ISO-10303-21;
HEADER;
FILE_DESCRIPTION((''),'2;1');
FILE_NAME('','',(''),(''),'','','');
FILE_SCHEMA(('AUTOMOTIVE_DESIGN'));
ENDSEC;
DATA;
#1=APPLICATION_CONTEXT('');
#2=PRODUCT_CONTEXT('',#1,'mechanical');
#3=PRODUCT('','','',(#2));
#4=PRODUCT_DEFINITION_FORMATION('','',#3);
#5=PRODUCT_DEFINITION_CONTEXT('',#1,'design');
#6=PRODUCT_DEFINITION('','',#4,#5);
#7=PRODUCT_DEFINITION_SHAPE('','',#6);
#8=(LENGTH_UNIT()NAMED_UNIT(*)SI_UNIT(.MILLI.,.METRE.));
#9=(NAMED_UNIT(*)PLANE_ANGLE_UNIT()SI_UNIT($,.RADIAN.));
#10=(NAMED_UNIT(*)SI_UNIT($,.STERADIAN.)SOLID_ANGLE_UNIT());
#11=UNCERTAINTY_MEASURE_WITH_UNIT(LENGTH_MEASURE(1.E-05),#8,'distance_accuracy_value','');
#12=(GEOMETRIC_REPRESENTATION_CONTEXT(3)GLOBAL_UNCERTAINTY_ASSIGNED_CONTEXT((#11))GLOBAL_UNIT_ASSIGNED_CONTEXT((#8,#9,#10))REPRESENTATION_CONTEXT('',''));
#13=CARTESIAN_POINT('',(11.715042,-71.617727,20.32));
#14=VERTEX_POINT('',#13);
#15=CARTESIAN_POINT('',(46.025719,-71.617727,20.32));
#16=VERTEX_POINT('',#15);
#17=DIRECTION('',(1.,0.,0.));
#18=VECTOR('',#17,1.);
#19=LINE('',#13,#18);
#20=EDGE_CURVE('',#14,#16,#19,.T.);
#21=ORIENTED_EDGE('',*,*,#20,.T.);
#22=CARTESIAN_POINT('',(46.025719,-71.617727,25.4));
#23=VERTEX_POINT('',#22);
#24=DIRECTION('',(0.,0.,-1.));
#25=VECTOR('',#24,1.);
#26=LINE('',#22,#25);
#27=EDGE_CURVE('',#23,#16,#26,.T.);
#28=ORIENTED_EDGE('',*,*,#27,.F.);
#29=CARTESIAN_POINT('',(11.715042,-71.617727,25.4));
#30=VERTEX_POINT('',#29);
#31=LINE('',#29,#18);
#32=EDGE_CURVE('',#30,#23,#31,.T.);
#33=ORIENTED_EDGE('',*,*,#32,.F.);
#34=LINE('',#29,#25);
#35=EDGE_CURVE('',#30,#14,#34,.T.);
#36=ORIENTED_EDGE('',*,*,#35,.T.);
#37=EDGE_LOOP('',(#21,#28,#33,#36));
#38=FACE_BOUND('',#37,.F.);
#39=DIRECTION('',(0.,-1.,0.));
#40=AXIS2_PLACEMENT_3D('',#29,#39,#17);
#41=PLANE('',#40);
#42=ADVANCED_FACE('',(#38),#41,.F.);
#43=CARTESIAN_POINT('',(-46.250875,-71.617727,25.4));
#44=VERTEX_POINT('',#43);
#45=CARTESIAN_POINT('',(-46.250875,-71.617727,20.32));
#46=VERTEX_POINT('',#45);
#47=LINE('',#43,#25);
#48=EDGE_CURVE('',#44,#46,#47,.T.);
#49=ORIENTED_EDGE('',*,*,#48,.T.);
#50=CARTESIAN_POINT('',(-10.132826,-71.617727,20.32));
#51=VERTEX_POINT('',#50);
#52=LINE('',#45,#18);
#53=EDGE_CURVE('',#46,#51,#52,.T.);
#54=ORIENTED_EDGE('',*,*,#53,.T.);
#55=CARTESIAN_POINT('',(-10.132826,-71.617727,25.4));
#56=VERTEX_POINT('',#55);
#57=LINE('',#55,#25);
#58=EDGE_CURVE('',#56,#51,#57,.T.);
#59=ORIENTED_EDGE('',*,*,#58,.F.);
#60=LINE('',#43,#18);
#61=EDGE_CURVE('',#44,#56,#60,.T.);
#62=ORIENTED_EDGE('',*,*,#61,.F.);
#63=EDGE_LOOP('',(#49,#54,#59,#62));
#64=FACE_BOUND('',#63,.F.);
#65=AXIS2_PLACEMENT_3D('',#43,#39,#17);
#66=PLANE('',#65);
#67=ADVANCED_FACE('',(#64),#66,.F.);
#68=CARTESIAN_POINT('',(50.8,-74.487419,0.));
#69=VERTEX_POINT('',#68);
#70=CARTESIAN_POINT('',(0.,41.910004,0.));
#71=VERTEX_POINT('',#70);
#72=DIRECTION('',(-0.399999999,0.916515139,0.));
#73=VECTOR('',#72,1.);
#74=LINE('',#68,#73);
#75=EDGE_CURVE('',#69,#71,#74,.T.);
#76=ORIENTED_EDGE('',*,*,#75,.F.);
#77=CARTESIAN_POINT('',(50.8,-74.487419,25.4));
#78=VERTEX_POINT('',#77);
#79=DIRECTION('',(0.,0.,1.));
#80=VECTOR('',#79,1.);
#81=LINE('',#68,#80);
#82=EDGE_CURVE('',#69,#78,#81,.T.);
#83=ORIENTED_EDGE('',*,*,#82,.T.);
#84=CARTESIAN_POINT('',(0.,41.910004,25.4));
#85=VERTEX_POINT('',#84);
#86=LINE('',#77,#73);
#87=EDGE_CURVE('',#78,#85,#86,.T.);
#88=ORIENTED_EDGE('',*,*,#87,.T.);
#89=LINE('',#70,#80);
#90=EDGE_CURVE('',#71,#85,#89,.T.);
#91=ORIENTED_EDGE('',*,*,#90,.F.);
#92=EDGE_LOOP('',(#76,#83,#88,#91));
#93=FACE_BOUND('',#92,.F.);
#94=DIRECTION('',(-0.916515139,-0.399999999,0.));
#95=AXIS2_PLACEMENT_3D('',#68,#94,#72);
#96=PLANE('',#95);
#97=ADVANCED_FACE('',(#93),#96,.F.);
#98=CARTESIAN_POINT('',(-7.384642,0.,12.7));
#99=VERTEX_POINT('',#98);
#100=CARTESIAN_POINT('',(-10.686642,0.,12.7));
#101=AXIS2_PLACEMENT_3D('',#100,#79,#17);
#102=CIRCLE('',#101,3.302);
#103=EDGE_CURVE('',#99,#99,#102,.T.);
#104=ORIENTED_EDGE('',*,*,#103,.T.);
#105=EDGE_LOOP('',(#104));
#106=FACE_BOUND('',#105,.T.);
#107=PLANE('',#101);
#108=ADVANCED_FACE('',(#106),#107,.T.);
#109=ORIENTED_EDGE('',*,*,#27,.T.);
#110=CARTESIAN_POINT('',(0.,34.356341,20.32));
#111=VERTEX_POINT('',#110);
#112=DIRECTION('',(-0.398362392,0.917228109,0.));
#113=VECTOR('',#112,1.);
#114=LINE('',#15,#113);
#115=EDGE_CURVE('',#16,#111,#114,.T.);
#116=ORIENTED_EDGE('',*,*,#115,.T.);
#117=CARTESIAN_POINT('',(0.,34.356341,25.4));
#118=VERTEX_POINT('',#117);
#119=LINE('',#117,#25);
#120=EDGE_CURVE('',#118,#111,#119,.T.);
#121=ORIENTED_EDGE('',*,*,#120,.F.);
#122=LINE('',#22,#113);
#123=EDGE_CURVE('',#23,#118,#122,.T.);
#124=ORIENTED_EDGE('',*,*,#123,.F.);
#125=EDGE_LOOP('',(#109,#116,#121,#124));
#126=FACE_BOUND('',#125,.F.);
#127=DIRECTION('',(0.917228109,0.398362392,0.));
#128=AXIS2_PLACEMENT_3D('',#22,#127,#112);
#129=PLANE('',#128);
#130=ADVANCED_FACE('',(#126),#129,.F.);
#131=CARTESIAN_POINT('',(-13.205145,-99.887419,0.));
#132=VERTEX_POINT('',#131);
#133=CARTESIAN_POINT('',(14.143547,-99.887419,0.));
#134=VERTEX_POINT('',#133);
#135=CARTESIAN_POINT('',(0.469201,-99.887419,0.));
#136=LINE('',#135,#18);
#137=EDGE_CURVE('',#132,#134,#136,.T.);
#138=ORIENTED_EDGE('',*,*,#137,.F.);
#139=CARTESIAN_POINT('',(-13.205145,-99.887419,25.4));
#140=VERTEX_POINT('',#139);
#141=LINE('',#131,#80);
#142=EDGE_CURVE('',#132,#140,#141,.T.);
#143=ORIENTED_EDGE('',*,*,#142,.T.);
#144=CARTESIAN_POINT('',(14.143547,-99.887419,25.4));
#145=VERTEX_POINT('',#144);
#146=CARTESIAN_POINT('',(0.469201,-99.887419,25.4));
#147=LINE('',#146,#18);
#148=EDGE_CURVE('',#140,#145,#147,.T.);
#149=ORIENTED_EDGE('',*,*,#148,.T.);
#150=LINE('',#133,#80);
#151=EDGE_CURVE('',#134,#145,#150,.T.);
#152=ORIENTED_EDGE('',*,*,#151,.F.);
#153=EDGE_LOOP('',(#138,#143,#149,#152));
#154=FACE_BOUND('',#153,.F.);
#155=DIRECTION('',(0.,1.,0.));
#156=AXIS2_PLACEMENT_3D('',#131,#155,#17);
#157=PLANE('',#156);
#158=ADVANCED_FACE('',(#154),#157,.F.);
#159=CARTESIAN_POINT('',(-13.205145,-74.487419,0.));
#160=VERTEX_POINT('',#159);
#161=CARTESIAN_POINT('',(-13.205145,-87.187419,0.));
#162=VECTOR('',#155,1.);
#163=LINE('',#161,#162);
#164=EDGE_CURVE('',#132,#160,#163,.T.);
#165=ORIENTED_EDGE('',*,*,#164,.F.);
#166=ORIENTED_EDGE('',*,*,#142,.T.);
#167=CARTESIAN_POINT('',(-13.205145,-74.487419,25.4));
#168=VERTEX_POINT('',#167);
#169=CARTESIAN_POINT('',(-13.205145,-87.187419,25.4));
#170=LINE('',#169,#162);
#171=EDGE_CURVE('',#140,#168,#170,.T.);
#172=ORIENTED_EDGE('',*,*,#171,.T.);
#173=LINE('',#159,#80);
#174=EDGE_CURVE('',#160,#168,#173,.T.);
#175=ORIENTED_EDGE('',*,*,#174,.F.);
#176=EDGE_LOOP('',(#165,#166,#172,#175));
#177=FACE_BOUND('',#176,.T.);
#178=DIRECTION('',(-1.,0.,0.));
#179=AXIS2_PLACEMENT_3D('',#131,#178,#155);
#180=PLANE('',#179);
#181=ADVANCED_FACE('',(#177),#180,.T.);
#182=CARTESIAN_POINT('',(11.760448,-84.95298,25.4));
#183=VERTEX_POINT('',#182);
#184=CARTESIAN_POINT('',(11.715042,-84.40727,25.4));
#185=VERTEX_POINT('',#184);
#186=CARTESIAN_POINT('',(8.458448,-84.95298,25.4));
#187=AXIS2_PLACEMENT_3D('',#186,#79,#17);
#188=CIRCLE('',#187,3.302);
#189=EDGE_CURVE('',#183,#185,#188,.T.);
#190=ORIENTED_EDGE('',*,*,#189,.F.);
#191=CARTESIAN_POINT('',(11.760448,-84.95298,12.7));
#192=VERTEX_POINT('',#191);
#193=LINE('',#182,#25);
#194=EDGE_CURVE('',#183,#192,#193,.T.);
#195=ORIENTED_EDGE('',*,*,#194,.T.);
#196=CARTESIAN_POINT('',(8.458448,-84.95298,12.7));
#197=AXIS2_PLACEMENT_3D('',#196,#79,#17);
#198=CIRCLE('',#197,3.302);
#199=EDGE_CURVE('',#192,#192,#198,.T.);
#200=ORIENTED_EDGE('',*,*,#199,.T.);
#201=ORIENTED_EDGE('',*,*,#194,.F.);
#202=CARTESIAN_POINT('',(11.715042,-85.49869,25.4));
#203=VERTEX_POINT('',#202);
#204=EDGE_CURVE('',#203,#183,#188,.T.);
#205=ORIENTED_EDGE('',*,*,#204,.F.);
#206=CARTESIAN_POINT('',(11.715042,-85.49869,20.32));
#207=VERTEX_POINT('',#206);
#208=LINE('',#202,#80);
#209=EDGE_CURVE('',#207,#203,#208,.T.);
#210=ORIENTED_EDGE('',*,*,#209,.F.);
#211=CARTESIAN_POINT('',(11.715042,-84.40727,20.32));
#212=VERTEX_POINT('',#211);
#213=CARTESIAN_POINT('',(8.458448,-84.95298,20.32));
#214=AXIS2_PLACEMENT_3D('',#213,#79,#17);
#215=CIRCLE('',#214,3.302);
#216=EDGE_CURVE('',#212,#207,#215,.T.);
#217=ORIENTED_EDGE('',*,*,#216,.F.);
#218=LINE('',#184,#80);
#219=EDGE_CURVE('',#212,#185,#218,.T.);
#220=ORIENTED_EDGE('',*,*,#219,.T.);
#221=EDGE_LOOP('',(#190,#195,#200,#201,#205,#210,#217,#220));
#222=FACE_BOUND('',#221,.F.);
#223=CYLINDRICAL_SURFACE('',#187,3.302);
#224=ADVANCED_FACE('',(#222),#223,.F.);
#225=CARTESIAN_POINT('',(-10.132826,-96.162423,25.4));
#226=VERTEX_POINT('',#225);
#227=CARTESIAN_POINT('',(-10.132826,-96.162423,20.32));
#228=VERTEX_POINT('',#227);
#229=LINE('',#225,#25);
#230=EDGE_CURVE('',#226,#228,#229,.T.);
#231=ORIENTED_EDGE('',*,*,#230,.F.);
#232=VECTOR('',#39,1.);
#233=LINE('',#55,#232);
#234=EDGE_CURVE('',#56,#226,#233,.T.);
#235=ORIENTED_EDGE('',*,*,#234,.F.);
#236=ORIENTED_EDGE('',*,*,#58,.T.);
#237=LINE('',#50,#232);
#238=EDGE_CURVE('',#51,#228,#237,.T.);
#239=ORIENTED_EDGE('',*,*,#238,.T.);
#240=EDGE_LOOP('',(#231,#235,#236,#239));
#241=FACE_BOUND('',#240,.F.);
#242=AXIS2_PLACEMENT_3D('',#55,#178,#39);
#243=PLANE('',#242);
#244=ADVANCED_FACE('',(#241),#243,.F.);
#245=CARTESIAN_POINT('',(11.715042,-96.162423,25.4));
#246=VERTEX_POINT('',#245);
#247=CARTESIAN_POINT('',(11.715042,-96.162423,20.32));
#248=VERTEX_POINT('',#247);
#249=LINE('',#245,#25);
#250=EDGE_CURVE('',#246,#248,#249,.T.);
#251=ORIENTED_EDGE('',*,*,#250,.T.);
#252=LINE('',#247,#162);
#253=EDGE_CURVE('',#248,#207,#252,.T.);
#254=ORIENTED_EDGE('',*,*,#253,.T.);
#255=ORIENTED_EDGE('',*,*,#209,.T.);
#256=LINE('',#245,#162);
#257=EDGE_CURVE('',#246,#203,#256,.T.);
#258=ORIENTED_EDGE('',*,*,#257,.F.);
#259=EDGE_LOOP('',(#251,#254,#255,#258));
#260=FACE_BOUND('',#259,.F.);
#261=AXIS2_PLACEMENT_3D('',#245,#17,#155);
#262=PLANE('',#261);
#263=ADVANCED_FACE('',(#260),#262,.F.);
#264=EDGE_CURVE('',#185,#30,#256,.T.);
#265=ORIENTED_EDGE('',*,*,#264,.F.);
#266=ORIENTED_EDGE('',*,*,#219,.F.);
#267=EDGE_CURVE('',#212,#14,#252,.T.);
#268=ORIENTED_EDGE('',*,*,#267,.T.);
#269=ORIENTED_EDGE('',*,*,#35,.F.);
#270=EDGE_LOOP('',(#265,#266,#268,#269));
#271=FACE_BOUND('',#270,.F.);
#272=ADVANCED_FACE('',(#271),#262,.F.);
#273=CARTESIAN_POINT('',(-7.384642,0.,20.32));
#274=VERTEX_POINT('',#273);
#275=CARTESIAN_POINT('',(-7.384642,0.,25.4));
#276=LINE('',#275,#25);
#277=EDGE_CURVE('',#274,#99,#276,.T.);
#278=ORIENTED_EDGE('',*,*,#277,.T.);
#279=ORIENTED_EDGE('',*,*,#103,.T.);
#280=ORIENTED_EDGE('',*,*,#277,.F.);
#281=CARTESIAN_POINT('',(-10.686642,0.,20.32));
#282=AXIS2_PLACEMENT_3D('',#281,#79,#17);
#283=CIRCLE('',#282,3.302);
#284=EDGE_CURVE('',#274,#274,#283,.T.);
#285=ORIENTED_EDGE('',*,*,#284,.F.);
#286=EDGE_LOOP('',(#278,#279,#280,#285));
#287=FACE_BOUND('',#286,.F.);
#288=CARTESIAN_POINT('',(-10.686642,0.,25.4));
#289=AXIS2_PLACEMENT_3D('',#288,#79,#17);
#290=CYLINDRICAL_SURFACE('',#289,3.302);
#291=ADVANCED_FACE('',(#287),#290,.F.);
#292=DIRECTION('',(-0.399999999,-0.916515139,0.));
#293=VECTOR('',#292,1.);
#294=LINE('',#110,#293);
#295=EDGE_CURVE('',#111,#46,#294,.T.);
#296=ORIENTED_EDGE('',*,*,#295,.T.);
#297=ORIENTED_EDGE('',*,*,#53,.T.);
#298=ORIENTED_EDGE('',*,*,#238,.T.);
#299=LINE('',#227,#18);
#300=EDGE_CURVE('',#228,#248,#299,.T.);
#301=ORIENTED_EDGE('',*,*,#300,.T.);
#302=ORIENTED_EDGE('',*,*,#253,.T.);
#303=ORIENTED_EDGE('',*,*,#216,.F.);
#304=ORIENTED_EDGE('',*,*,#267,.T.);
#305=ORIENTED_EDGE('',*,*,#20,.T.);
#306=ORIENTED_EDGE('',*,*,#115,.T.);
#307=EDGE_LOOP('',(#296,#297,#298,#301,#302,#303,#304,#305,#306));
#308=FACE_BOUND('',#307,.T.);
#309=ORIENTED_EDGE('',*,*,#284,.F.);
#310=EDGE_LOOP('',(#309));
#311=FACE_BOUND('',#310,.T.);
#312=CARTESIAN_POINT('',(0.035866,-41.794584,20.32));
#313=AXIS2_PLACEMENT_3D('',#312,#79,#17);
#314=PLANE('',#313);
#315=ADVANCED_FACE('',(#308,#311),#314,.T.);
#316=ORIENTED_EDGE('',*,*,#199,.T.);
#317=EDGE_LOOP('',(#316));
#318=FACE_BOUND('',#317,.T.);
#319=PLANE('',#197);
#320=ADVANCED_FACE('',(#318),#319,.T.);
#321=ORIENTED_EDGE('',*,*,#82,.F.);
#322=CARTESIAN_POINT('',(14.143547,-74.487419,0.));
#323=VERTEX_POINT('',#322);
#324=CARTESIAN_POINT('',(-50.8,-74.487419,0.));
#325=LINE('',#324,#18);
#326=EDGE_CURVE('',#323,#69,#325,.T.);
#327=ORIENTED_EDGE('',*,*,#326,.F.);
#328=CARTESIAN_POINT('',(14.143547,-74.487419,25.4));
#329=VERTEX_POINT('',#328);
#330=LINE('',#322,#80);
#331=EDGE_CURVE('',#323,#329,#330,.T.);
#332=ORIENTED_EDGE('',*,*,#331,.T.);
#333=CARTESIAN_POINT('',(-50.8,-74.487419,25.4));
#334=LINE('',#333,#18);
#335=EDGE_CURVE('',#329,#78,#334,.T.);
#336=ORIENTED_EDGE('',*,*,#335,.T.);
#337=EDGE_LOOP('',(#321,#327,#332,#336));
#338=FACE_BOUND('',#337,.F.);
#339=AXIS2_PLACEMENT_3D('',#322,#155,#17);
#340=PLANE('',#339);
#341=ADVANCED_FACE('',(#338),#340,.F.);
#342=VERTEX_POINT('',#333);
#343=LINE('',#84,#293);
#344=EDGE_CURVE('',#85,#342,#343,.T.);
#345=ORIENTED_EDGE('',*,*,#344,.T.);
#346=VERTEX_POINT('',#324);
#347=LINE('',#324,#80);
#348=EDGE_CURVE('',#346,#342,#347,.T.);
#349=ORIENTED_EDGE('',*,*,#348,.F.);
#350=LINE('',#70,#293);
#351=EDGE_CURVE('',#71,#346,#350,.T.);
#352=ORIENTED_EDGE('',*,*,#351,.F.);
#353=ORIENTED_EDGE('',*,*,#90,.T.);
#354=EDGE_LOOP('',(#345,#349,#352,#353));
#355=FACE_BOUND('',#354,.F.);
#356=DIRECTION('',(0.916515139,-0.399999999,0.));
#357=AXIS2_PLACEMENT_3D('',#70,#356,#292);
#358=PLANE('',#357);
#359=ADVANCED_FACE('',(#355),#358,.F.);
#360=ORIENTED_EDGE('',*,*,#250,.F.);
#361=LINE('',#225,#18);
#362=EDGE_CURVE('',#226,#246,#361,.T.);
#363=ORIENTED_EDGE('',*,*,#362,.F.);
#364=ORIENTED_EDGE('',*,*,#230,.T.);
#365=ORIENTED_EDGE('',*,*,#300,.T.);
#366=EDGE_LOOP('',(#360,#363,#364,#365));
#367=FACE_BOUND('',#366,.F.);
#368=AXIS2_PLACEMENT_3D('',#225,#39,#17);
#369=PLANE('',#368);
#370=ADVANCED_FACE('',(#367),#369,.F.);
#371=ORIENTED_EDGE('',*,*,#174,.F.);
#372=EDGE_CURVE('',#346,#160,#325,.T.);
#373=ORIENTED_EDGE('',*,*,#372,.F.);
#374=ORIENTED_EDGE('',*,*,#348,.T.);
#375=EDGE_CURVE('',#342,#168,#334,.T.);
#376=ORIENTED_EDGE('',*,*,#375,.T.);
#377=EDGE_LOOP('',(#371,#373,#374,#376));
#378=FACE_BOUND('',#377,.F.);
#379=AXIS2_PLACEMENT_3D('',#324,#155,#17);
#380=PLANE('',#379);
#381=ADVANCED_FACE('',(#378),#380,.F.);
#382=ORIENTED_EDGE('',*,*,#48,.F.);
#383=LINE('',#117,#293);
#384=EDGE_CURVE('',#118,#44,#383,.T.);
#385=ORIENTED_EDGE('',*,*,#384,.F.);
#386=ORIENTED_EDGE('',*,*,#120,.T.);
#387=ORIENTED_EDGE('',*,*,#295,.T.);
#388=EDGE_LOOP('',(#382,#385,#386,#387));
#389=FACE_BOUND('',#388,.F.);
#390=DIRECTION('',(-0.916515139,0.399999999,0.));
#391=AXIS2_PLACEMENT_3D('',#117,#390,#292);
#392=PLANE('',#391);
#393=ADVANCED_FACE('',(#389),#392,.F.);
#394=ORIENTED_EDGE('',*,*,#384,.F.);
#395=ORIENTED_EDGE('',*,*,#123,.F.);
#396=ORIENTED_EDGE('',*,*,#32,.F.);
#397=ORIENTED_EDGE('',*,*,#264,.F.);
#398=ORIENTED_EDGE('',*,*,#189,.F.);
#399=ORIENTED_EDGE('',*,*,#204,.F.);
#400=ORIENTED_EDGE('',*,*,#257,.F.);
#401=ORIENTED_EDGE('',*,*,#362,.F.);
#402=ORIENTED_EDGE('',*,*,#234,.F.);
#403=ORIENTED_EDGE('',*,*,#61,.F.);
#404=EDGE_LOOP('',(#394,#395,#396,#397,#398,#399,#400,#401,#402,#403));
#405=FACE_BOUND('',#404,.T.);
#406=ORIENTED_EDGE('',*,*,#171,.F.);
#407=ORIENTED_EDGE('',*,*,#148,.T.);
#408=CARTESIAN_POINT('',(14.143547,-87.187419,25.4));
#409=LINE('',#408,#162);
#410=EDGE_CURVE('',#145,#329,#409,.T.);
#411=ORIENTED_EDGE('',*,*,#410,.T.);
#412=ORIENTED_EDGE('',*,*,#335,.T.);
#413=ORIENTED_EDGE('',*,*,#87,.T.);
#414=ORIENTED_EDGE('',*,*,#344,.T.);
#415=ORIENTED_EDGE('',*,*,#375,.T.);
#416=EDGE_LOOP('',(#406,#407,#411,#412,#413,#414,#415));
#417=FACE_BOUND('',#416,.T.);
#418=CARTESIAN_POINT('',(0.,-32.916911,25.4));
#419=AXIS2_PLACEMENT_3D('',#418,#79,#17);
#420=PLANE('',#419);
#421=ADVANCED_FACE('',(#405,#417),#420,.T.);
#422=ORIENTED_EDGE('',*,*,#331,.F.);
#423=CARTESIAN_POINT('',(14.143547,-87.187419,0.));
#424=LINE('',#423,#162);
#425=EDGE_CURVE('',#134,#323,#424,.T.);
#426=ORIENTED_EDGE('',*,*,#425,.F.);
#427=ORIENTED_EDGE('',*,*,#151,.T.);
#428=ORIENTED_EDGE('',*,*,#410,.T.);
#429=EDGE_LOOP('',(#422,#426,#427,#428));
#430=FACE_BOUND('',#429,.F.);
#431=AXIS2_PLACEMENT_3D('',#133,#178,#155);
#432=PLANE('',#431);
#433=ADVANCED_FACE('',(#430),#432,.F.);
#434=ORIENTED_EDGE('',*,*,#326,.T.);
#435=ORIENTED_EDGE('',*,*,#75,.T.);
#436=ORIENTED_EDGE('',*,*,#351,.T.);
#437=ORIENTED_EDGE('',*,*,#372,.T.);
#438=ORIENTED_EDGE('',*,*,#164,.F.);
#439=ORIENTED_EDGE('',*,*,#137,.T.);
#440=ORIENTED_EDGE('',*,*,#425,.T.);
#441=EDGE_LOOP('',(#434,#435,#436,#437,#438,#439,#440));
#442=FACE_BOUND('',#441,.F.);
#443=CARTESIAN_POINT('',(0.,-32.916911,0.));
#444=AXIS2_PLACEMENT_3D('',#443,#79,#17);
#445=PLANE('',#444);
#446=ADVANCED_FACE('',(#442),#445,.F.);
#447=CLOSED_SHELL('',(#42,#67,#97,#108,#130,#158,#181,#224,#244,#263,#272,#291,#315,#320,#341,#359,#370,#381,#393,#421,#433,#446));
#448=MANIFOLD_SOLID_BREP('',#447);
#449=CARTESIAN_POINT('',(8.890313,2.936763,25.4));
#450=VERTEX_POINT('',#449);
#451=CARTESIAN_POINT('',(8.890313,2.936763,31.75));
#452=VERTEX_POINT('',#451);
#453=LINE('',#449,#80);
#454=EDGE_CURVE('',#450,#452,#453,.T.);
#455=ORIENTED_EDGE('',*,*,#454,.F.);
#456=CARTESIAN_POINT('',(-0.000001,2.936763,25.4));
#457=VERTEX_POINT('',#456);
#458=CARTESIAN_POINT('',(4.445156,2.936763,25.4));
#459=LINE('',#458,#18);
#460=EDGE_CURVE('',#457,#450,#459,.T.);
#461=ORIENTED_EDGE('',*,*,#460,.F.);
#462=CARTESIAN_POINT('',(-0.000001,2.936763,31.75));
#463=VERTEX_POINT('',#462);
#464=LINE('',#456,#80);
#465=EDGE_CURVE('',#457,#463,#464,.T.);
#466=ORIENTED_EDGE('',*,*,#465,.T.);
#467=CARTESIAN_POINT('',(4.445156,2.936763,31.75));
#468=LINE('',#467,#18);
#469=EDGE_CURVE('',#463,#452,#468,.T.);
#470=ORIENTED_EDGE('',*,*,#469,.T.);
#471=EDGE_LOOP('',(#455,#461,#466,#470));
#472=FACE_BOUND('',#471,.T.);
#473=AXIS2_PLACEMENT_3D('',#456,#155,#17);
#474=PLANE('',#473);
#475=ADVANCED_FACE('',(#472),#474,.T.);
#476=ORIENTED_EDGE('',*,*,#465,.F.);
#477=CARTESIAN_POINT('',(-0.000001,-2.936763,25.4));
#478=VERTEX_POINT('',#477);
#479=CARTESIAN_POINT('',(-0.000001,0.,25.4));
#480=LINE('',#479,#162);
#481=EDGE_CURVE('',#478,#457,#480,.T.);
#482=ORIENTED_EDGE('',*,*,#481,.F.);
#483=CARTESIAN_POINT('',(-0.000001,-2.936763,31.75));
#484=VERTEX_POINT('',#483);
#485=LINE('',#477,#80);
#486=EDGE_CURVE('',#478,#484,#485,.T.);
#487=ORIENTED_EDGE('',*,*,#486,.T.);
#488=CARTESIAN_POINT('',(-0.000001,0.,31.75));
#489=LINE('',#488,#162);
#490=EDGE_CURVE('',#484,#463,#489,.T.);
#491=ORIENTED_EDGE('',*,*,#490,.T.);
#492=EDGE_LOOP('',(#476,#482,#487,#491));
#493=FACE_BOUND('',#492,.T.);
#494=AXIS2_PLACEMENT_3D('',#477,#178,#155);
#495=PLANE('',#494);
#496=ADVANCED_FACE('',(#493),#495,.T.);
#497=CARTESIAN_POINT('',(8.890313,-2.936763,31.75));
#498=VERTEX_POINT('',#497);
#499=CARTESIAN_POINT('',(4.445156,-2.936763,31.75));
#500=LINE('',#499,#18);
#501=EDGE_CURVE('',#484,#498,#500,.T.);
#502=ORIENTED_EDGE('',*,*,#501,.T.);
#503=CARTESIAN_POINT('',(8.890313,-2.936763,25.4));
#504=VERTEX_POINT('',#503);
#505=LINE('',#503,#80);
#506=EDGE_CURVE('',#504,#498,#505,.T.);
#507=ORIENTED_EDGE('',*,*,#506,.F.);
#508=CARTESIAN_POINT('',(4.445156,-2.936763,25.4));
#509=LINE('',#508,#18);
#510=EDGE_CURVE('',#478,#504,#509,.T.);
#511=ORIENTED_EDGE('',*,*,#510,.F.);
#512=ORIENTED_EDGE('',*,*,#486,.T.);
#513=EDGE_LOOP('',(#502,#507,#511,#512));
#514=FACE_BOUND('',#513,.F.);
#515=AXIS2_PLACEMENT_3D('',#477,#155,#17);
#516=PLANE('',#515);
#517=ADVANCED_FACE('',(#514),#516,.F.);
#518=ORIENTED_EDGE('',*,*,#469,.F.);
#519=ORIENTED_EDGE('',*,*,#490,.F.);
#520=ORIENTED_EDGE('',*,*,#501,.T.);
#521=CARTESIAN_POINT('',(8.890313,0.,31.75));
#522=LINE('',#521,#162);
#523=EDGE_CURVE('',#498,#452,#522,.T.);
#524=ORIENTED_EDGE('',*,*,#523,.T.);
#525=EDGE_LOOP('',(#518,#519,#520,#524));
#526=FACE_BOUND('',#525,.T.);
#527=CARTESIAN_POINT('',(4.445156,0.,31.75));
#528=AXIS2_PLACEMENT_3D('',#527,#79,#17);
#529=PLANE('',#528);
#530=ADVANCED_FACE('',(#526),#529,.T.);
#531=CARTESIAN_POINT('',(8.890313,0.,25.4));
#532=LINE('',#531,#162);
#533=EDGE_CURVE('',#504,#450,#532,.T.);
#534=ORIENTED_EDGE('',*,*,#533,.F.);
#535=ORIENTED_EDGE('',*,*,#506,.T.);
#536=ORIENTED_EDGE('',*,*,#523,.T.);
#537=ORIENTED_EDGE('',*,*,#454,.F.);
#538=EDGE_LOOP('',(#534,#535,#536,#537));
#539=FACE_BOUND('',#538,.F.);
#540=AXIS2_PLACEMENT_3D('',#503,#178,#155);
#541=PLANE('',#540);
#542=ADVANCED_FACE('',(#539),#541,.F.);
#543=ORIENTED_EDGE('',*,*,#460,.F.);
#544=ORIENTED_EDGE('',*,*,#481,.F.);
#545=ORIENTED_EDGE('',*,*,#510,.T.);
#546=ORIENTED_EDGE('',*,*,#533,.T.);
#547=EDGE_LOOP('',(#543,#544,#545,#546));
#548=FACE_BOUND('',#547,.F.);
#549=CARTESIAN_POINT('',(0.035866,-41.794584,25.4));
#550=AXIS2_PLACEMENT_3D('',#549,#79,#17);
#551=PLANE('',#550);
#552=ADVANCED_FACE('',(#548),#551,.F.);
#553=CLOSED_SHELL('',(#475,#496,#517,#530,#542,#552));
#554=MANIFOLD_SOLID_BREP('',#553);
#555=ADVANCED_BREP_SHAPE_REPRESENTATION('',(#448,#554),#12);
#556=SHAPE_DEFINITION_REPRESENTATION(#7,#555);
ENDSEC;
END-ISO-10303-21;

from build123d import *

# Parameters (mm, degrees)
F0_W     = 27.348692
F0_H     = 25.4
F1_DEPTH = 25.4
F2_R     = 3.302
F3_DEPTH = 12.7
F4_R     = 3.302
F5_DEPTH = 12.7
F6_W     = 8.890313
F6_H     = 5.873526
F7_DEPTH = 6.35
F9_DEPTH = 5.08


with BuildPart() as f1:
    # F0 (on Top) → F1 (new body)
    with BuildSketch(Plane.XY):
        Polygon((0, 41.910004), (-50.8, -74.487419), (-13.205145, -74.487419), (14.143547, -74.487419), (50.8, -74.487419), align=None)
        with Locations((0.469201, -87.187419)):
            Rectangle(F0_W, F0_H)
    extrude(amount=F1_DEPTH)

    # F2 (on face) → F3 (cut)
    with BuildSketch(Plane.XY.offset(25.4)):
        with Locations((8.458448, -84.95298)):
            Circle(F2_R)
    extrude(amount=-F3_DEPTH, mode=Mode.SUBTRACT)

    # F4 (on face) → F5 (cut)
    with BuildSketch(Plane.XY.offset(25.4)):
        with Locations((-10.686642, 0)):
            Circle(F4_R)
    extrude(amount=-F5_DEPTH, mode=Mode.SUBTRACT)

    # F6 (on face) → F7 (join)
    with BuildSketch(Plane.XY.offset(25.4)):
        with Locations((4.445156, 0)):
            Rectangle(F6_W, F6_H)
    extrude(amount=F7_DEPTH)

    # F8 (on face) → F9 (cut)
    with BuildSketch(Plane.XY.offset(25.4)):
        Polygon((46.025719, -71.617727), (0, 34.356341), (-46.250875, -71.617727), (-13.205145, -71.617727), (-10.132826, -71.617727), (-10.132826, -96.162423), (11.715042, -96.162423), (11.715042, -71.617727), align=None)
    extrude(amount=-F9_DEPTH, mode=Mode.SUBTRACT)


solid = f1.part
